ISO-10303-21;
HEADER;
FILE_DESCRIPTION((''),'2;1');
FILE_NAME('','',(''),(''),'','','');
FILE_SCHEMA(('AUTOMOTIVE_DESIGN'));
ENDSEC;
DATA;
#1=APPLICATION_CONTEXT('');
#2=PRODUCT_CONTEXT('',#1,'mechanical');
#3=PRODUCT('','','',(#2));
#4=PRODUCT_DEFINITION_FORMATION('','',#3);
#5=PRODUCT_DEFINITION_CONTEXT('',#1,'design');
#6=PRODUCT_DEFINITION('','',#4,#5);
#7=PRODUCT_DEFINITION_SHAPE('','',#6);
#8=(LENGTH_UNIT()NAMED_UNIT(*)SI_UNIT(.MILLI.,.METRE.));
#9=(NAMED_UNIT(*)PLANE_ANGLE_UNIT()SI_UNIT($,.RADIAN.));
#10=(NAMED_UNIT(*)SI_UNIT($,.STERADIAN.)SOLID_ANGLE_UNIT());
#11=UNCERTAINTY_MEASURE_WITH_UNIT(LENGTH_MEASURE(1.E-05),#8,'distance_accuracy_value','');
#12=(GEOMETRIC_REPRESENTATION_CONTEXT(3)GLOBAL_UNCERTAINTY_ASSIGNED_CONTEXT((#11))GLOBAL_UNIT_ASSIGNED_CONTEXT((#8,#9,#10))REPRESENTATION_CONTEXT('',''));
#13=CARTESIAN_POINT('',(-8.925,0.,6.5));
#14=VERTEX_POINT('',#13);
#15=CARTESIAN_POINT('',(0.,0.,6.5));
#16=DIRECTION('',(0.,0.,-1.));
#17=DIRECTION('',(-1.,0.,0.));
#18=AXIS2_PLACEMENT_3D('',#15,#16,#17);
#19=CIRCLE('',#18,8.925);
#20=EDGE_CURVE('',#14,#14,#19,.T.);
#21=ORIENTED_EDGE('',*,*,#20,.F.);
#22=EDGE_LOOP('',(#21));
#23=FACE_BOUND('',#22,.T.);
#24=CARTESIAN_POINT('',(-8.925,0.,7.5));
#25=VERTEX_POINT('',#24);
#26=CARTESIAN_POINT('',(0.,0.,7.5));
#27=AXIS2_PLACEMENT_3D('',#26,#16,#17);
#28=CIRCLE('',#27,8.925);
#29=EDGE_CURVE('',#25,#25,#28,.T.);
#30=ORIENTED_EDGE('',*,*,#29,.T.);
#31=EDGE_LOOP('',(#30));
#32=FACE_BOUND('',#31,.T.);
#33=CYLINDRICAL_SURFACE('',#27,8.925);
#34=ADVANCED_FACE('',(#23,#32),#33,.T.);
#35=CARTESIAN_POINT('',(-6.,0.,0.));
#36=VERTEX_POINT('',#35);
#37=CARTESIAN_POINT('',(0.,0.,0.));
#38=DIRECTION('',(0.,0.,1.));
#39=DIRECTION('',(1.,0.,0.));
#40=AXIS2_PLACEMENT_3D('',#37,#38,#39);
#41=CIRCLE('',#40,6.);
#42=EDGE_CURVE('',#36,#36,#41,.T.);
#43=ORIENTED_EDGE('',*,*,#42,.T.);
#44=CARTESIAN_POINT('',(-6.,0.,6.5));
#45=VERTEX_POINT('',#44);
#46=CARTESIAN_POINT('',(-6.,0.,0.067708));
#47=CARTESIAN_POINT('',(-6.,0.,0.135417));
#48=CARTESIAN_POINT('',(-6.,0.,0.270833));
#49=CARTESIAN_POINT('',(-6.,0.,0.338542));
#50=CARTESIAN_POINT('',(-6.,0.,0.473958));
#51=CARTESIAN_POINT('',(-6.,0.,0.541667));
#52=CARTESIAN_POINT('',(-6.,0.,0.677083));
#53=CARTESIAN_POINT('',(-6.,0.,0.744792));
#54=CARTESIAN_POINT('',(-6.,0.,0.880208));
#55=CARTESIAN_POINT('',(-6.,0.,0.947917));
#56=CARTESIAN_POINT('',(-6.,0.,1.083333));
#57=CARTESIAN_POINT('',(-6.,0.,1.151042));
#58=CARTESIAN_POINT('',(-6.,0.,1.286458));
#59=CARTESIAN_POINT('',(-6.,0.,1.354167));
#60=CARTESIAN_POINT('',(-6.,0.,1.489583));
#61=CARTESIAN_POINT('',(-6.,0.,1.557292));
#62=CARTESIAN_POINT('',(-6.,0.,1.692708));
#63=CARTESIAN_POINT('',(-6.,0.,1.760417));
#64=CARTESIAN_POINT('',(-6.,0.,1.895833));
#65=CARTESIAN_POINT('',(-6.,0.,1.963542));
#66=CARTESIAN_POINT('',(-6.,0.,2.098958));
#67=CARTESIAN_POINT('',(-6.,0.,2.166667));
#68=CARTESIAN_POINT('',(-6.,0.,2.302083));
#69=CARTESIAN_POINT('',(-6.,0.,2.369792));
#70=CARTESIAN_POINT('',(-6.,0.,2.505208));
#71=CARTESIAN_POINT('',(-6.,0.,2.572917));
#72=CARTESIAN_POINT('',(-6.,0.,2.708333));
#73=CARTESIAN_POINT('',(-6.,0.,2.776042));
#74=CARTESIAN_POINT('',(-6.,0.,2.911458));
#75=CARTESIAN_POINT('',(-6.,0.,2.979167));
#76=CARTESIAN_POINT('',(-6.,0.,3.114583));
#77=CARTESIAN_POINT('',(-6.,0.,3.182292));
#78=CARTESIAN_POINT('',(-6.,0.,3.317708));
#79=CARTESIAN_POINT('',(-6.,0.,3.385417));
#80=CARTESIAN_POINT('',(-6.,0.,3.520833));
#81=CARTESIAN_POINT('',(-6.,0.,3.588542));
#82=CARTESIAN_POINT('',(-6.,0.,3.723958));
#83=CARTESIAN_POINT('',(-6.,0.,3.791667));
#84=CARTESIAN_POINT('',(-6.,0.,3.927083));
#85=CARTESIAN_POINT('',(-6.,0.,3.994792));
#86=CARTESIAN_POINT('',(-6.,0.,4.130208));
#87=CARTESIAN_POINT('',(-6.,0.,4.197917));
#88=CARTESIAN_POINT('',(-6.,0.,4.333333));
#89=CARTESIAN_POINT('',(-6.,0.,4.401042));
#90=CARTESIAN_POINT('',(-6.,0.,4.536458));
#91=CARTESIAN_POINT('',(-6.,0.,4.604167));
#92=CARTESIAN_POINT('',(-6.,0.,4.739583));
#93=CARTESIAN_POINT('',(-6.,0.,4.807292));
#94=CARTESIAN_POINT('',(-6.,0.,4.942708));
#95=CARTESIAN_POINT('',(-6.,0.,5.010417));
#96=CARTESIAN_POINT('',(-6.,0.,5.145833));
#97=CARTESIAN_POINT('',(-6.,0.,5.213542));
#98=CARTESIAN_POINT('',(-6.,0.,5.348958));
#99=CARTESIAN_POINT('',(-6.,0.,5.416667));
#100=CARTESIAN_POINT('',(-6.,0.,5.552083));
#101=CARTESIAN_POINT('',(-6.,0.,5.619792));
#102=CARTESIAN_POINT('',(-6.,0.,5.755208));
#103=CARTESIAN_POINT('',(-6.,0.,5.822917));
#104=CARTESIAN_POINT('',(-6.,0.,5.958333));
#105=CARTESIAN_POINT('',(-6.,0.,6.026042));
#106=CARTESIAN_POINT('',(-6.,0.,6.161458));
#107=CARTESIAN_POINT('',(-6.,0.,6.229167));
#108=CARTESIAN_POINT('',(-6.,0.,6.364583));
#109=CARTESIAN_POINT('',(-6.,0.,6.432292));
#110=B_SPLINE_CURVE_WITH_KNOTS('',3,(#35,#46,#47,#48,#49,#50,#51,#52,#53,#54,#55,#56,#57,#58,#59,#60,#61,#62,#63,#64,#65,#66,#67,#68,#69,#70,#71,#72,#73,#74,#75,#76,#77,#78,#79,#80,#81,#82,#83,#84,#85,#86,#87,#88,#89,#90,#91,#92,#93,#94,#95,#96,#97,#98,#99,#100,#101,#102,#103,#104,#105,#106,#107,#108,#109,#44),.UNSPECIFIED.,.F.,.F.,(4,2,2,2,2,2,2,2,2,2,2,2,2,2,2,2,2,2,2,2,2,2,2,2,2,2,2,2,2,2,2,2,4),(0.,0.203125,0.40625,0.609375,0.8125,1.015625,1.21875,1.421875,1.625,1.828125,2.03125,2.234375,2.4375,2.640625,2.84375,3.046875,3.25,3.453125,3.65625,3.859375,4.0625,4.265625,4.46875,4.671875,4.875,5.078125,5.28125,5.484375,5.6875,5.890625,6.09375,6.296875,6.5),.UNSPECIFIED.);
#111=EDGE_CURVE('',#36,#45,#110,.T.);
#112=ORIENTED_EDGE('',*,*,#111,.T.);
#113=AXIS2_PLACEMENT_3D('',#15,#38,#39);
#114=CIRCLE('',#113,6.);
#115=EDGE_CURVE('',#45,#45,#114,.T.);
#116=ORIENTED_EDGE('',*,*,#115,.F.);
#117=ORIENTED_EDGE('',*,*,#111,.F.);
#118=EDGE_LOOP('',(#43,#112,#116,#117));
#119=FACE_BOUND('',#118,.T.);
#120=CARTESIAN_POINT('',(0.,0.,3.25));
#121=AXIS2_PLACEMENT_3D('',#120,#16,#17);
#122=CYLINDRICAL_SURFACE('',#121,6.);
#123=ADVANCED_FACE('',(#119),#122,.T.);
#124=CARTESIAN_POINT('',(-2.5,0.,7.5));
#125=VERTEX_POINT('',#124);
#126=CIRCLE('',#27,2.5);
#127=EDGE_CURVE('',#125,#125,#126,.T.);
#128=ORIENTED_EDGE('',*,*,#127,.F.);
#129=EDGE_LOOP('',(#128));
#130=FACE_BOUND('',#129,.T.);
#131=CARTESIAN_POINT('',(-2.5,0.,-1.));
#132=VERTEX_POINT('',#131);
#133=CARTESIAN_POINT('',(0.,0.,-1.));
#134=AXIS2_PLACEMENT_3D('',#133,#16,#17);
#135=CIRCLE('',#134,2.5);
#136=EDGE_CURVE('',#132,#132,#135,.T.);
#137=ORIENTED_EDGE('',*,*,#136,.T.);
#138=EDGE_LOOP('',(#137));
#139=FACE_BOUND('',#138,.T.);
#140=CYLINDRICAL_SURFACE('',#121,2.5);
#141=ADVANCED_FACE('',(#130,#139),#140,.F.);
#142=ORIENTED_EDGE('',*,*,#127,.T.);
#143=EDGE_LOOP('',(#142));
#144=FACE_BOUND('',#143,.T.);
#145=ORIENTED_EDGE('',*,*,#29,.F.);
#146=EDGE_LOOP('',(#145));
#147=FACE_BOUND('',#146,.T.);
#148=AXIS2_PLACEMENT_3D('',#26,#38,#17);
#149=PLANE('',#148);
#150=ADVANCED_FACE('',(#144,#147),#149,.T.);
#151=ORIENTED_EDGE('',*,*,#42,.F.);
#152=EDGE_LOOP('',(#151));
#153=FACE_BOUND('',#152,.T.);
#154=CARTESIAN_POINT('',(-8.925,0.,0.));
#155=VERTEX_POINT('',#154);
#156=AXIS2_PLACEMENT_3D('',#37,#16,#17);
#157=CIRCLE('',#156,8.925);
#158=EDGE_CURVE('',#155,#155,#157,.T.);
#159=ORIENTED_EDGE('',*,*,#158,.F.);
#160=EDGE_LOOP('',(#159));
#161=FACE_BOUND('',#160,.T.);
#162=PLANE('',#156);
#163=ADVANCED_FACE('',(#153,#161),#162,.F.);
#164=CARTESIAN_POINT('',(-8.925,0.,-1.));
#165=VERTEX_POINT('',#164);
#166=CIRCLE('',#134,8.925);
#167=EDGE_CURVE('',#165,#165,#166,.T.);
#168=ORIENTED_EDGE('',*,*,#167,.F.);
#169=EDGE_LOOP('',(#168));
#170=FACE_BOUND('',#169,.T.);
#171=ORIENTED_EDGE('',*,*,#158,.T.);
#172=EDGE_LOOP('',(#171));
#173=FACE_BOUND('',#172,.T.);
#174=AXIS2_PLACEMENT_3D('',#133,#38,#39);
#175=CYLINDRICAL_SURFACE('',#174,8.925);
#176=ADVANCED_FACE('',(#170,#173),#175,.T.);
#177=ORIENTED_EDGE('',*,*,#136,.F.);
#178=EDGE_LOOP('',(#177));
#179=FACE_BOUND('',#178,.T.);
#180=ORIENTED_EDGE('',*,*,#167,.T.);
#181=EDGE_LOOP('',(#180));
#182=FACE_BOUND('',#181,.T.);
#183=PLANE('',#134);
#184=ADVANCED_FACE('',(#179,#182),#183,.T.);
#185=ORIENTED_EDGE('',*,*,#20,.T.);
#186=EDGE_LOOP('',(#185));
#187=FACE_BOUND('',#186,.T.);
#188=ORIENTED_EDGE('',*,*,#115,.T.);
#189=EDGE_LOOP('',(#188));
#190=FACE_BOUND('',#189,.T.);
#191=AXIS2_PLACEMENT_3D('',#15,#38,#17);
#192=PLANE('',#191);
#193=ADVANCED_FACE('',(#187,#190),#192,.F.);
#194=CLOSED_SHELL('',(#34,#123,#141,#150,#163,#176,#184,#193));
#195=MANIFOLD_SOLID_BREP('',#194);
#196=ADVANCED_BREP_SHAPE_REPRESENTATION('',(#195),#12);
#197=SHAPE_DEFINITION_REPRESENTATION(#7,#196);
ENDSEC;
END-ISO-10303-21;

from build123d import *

# Parameters (mm, degrees)
SKETCH6_R           = 6
BOSS_EXTRUDE1_DEPTH = 3.25
SKETCH8_R           = 8.925
BOSS_EXTRUDE2_DEPTH = 1
SKETCH9_R           = 2.5
CUT_EXTRUDE1_DEPTH  = 14.318173674


with BuildPart() as part:
    # Sketch6 → Boss-Extrude1 (new body)
    with BuildSketch(Plane.XY):
        with Locations(Location((0, 0, 0), (0, 0, 180))):
            Circle(SKETCH6_R)
    boss_extrude1 = extrude(amount=BOSS_EXTRUDE1_DEPTH)

    # Sketch8 → Boss-Extrude2 (add)
    with BuildSketch(Plane(origin=(0, 0, 0), x_dir=(-1, 0, 0), z_dir=(0, 0, -1))):
        Circle(SKETCH8_R)
    boss_extrude2 = extrude(amount=BOSS_EXTRUDE2_DEPTH)

    # Sketch9 → Cut-Extrude1 (cut, through all)
    with BuildSketch(Plane(origin=(0, 0, -1), x_dir=(-1, 0, 0), z_dir=(0, 0, -1))):
        Circle(SKETCH9_R)
    cut_extrude1 = extrude(amount=-CUT_EXTRUDE1_DEPTH, mode=Mode.SUBTRACT)

    # Mirror2: Boss-Extrude1, Boss-Extrude2, Cut-Extrude1 across plane
    add(boss_extrude1.mirror(Plane.XY.offset(3.25)))
    add(boss_extrude2.mirror(Plane.XY.offset(3.25)))
    add(cut_extrude1.mirror(Plane.XY.offset(3.25)), mode=Mode.SUBTRACT)


solid = part.part
